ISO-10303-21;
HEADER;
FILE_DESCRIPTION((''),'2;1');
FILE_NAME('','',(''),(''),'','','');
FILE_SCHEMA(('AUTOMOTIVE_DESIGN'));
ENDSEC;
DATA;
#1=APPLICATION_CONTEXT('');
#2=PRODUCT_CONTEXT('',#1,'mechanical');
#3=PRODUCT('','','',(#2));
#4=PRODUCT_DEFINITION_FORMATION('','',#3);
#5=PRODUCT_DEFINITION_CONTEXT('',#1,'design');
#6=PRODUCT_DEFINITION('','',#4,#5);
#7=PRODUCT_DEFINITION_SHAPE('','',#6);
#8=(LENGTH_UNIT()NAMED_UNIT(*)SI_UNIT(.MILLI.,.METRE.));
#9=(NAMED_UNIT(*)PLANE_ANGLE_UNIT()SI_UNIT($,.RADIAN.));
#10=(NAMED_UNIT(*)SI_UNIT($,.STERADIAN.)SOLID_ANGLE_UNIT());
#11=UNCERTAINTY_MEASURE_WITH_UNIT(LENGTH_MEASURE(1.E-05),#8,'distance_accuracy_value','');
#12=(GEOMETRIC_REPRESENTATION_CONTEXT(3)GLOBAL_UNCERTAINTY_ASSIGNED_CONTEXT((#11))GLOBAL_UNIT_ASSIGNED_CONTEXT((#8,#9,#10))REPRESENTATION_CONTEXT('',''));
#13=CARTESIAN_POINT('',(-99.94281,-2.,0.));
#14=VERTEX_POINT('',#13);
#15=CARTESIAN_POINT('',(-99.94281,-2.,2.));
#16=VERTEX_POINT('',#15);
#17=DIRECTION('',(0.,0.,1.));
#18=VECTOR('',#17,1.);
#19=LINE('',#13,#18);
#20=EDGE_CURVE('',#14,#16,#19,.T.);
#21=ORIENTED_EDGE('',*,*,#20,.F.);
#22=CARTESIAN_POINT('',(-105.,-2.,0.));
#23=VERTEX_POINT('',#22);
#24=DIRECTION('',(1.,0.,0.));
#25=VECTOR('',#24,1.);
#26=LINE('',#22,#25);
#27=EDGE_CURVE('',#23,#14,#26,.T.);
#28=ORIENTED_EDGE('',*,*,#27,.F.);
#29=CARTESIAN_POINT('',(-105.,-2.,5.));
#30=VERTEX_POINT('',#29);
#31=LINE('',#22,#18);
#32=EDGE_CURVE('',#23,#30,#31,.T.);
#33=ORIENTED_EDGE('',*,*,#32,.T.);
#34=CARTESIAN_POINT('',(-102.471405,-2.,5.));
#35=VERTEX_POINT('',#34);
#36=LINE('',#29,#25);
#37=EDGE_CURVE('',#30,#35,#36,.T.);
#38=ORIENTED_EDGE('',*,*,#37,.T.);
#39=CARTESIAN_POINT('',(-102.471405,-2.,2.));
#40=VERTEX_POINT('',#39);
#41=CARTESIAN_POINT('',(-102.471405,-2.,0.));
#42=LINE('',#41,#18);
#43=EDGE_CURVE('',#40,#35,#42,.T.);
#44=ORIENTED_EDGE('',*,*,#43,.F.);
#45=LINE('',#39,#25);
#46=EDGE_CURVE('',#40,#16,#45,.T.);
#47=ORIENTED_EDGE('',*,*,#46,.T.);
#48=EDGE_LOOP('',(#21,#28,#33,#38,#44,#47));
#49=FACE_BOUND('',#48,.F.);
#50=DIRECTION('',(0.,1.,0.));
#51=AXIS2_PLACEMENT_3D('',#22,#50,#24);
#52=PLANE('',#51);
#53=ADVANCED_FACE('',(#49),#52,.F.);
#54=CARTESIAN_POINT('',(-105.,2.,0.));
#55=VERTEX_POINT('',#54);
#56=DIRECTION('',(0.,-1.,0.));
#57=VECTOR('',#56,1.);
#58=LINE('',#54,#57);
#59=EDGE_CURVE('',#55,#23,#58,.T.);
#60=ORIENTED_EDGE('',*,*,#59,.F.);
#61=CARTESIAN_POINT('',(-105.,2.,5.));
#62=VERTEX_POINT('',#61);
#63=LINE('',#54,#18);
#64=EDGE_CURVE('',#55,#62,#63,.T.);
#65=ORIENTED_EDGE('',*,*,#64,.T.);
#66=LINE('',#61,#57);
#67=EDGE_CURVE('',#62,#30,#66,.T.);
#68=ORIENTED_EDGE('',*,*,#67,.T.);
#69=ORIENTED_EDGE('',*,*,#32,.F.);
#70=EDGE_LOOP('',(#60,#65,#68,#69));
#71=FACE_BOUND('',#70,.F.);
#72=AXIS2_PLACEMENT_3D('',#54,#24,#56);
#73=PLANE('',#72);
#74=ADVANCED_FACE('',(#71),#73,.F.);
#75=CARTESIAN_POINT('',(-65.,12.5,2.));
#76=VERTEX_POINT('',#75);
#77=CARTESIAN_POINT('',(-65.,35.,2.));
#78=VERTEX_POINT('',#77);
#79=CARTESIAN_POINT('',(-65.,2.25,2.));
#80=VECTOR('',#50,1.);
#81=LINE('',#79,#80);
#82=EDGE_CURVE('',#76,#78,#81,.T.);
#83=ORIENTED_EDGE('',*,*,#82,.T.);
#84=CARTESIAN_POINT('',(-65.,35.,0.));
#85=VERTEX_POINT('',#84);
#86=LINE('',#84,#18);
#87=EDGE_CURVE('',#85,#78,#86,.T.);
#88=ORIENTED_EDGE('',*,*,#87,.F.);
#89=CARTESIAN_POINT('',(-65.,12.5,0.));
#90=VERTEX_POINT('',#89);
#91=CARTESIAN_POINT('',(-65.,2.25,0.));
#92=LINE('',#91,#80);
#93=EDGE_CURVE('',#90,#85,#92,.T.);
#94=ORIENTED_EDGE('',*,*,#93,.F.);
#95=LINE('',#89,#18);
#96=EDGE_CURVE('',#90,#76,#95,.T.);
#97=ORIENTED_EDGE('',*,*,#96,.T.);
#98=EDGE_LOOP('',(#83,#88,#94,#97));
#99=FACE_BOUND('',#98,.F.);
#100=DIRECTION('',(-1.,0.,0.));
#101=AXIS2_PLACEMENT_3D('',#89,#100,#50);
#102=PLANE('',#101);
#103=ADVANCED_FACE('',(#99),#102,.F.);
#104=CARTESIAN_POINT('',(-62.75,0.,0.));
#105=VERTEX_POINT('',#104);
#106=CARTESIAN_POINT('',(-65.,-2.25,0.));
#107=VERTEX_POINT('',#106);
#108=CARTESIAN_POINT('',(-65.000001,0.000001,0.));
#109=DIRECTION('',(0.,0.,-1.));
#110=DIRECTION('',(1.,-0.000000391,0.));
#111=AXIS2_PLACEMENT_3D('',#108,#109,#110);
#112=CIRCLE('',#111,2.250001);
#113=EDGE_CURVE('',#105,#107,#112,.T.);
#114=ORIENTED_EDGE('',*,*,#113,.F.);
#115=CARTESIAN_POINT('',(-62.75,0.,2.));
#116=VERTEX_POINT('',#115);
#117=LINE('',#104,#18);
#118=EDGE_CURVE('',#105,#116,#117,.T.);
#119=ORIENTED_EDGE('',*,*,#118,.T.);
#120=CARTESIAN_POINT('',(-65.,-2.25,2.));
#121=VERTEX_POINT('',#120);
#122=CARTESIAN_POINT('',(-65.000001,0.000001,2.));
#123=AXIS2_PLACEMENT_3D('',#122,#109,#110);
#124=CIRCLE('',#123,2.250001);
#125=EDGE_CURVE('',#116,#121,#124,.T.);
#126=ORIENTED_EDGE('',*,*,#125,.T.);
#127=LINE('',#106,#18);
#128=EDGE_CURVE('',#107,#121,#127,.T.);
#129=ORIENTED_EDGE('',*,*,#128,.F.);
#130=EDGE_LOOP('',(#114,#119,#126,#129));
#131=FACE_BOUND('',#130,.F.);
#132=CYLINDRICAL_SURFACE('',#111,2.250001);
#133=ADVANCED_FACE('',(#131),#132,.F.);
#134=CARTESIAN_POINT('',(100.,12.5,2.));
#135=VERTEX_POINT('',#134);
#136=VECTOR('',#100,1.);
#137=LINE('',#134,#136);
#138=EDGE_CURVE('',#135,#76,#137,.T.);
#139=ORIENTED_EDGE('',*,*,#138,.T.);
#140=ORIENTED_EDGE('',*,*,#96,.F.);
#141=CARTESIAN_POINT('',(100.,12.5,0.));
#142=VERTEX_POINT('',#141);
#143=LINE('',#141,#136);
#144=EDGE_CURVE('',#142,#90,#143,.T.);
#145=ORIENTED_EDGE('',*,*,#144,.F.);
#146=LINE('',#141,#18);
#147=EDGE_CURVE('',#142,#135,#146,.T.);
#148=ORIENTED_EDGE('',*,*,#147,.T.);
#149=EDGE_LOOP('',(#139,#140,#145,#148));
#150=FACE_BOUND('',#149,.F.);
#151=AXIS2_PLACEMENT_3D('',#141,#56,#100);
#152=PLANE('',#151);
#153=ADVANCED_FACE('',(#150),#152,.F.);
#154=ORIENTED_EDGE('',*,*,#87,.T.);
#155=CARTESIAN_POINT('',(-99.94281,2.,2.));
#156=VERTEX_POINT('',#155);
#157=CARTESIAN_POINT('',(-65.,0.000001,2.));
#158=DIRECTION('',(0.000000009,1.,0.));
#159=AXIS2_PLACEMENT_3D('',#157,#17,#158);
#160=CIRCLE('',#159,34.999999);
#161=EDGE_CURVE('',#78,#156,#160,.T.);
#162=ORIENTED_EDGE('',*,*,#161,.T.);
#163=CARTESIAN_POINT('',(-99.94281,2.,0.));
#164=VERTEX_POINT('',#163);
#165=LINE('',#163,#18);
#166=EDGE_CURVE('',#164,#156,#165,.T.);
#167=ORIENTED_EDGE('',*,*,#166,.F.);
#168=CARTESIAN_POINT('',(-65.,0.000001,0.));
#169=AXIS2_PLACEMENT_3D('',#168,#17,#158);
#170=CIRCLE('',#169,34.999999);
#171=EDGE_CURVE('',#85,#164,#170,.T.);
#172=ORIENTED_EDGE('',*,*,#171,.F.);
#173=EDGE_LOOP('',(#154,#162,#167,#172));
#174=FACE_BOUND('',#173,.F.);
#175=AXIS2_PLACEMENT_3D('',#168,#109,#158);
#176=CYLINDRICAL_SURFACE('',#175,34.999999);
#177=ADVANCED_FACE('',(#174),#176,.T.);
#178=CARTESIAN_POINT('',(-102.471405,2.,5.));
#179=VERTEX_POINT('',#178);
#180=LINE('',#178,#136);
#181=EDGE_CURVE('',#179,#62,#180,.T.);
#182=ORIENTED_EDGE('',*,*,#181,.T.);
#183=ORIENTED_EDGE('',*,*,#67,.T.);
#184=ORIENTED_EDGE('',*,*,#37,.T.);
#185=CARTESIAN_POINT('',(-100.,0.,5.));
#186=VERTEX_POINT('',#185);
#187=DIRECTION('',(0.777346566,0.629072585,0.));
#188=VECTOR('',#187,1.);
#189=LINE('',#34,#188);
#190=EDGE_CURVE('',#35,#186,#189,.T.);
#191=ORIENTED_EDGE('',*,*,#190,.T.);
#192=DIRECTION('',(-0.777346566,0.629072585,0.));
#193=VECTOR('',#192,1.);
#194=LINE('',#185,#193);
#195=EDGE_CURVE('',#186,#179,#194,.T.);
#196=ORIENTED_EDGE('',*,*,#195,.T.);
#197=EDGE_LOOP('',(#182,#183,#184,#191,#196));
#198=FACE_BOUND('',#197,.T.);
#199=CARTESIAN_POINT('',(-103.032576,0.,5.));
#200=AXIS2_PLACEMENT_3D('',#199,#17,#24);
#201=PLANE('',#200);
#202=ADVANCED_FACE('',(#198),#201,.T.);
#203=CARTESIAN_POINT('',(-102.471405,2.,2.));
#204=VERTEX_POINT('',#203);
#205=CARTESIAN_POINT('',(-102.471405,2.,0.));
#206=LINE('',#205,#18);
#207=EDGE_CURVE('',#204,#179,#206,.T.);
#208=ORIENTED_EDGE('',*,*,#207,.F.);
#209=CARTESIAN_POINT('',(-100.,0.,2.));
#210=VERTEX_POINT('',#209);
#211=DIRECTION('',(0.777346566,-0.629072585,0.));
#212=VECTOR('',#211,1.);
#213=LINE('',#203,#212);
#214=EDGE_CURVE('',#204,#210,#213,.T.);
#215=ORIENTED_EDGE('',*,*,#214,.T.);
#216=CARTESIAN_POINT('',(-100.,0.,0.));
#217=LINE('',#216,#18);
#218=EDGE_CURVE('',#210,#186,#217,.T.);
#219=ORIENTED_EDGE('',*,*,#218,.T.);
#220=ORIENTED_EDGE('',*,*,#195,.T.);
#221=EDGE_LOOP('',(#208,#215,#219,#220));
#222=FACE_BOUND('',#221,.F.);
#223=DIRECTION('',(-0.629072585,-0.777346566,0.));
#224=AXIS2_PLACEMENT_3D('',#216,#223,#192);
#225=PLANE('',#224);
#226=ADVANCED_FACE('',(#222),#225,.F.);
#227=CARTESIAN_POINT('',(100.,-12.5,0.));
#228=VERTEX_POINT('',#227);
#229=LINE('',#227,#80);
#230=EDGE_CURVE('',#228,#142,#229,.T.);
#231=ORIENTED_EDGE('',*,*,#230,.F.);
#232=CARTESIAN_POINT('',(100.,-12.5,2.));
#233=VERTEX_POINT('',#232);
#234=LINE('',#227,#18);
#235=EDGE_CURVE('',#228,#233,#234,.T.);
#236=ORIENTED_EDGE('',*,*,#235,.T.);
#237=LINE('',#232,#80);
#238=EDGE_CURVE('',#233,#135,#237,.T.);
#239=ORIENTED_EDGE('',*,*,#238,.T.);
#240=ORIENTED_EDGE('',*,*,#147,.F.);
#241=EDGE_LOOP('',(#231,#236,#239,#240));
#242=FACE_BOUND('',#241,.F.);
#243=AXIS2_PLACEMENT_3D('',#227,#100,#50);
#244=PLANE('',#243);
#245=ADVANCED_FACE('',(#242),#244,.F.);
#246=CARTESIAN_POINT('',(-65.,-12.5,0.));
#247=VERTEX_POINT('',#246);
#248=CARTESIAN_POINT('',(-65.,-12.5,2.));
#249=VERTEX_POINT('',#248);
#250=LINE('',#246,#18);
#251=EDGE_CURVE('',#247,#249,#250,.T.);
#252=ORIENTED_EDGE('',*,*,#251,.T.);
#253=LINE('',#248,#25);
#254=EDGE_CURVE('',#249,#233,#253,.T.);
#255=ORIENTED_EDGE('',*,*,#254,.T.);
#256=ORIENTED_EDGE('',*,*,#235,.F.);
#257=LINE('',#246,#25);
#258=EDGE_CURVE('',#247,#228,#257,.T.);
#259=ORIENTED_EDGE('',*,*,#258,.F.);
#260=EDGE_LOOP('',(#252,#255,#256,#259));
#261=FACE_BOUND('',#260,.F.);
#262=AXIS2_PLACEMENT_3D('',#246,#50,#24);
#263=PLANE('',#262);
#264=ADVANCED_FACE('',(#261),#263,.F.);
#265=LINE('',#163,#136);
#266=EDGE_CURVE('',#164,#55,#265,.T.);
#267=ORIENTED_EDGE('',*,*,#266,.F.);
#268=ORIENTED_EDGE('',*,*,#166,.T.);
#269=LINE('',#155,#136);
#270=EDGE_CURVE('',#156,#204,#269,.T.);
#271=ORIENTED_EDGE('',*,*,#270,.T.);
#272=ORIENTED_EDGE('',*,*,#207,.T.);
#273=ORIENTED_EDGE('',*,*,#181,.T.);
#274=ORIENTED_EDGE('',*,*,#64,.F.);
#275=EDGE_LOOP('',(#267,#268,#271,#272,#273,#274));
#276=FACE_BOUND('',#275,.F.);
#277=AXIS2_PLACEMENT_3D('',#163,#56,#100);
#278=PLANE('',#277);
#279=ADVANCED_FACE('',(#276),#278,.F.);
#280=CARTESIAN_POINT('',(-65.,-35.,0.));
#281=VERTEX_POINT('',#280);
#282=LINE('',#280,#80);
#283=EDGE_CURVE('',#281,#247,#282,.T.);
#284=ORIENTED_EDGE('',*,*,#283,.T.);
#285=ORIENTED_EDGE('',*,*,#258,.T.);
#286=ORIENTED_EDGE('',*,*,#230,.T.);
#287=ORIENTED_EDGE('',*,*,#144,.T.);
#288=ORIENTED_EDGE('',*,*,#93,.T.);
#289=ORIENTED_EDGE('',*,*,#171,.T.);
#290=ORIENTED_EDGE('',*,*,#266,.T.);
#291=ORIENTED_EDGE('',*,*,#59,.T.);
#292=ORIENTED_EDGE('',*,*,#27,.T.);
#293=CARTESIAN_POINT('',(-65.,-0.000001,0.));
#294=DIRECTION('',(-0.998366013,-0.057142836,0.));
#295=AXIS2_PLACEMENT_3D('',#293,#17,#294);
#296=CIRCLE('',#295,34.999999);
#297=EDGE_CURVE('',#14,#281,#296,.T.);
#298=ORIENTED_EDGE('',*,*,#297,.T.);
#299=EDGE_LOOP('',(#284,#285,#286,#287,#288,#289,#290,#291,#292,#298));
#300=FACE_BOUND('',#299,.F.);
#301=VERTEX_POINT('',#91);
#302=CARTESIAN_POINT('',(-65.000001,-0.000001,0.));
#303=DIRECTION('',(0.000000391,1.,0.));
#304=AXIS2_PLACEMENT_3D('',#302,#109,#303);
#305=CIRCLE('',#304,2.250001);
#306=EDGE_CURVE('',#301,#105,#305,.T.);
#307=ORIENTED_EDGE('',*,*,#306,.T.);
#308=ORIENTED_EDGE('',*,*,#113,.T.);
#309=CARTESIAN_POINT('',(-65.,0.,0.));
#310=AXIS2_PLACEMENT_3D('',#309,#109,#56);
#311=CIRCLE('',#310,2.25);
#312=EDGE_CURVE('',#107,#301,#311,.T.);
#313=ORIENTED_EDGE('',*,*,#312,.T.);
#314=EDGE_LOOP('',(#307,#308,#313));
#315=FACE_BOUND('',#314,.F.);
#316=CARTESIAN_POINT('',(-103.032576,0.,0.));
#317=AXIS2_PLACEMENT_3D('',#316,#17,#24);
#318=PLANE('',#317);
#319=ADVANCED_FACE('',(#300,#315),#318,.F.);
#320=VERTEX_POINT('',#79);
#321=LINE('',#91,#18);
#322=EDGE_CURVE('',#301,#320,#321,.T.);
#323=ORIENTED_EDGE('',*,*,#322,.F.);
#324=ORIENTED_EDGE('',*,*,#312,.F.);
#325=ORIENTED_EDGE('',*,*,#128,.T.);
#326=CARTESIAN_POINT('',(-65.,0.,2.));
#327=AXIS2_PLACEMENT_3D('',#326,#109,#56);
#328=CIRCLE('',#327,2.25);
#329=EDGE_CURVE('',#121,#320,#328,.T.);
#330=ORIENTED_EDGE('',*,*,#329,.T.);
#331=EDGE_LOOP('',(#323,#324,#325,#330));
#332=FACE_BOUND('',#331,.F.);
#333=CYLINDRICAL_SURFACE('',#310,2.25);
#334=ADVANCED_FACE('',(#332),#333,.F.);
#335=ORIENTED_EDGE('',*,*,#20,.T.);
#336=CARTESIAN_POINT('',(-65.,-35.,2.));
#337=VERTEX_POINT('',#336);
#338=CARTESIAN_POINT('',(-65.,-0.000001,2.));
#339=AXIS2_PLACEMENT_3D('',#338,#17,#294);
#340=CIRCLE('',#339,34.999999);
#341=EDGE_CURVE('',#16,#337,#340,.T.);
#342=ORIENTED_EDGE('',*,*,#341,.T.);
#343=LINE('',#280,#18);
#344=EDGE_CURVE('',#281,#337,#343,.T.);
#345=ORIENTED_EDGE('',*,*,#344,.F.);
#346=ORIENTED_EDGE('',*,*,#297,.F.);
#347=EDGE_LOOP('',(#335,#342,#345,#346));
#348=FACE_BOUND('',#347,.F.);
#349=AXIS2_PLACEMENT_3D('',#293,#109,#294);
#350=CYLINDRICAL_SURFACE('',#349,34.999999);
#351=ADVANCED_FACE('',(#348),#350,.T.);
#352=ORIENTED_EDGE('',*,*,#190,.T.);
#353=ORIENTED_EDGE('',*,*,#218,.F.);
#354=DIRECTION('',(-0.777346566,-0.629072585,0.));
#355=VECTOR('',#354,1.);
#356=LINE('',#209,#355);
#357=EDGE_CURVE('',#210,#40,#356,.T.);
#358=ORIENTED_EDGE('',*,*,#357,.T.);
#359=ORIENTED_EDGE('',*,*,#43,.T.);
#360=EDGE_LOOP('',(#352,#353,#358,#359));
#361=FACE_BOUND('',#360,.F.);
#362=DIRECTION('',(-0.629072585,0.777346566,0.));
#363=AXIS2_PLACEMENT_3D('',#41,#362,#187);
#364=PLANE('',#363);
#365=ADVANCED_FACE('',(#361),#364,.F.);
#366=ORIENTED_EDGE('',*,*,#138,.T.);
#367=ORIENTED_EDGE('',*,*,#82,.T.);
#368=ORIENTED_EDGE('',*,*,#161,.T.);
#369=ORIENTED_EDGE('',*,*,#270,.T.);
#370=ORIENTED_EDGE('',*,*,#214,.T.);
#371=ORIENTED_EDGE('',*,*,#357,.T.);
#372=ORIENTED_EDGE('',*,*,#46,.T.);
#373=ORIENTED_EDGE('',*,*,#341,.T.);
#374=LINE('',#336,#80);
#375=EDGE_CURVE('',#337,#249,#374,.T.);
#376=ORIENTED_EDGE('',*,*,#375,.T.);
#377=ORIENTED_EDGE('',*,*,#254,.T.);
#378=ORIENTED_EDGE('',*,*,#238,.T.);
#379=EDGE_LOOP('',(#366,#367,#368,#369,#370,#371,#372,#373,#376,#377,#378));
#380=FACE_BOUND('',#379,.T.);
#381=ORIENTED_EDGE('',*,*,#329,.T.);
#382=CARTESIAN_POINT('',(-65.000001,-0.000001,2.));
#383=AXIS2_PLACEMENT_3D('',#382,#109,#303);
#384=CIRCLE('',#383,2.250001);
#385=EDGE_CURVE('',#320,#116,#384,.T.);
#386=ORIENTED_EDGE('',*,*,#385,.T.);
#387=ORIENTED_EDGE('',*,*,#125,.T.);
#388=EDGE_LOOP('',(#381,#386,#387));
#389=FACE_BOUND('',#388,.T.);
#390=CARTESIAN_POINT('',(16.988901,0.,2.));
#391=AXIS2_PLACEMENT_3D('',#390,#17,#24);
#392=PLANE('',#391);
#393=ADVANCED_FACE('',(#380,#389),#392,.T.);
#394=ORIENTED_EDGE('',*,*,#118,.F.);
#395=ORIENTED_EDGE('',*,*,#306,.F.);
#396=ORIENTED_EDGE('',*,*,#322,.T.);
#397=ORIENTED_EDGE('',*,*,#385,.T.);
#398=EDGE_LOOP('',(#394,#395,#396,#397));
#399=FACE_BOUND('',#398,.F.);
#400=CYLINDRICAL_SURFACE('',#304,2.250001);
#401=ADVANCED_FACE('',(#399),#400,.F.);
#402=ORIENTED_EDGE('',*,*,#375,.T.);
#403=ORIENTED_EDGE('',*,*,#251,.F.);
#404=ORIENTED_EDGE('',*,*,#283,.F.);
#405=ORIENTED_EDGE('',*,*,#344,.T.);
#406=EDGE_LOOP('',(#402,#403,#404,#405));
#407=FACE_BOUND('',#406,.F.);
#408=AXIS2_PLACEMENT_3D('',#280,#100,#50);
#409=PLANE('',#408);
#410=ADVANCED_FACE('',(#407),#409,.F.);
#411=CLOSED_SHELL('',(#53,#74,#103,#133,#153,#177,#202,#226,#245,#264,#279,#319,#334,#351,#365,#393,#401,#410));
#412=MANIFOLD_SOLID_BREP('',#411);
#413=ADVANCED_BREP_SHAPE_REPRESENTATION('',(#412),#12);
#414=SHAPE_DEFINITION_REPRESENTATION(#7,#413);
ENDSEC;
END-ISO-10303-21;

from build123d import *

# Parameters (mm, degrees)
F1_DEPTH = 2
F2_DEPTH = 5


with BuildPart() as f1:
    # F0 (on Top) → F1 (new body)
    with BuildSketch(Plane.XY):
        with BuildLine():
            Line((-65, -12.5), (100, -12.5))
            Line((100, -12.5), (100, 12.5))
            Line((100, 12.5), (-65, 12.5))
            Line((-65, 12.5), (-65, 2.25))
            ThreePointArc((-65, 2.25), (-63.40901, 1.59099), (-62.75, 0))
            ThreePointArc((-62.75, 0), (-63.40901, -1.59099), (-65, -2.25))
            Line((-65, -2.25), (-65, -12.5))
        make_face()
        with BuildLine():
            Line((-102.471405, -2), (-99.94281, -2))
            ThreePointArc((-99.94281, -2), (-99.9857, -1.000409), (-100, 0))
            Line((-100, 0), (-102.471405, -2))
        make_face()
        with BuildLine():
            Line((-65, -35), (-65, -12.5))
            Line((-65, -12.5), (-65, -2.25))
            ThreePointArc((-65, -2.25), (-67.25, 0), (-65, 2.25))
            Line((-65, 2.25), (-65, 12.5))
            Line((-65, 12.5), (-65, 35))
            ThreePointArc((-65, 35), (-89.03123, 25.446021), (-99.94281, 2))
            ThreePointArc((-99.94281, 2), (-99.9857, 1.000409), (-100, 0))
            ThreePointArc((-100, 0), (-99.9857, -1.000409), (-99.94281, -2))
            ThreePointArc((-99.94281, -2), (-89.03123, -25.446021), (-65, -35))
        make_face()
        with BuildLine():
            ThreePointArc((-100, 0), (-99.9857, 1.000409), (-99.94281, 2))
            Line((-99.94281, 2), (-102.471405, 2))
            Line((-102.471405, 2), (-100, 0))
        make_face()
    extrude(amount=F1_DEPTH)

    # F0 (on Top) → F2 (join)
    with BuildSketch(Plane.XY):
        Polygon((-102.471405, -2), (-100, 0), (-102.471405, 2), (-105, 2), (-105, 0), (-105, -2), align=None)
    extrude(amount=F2_DEPTH)


solid = f1.part
